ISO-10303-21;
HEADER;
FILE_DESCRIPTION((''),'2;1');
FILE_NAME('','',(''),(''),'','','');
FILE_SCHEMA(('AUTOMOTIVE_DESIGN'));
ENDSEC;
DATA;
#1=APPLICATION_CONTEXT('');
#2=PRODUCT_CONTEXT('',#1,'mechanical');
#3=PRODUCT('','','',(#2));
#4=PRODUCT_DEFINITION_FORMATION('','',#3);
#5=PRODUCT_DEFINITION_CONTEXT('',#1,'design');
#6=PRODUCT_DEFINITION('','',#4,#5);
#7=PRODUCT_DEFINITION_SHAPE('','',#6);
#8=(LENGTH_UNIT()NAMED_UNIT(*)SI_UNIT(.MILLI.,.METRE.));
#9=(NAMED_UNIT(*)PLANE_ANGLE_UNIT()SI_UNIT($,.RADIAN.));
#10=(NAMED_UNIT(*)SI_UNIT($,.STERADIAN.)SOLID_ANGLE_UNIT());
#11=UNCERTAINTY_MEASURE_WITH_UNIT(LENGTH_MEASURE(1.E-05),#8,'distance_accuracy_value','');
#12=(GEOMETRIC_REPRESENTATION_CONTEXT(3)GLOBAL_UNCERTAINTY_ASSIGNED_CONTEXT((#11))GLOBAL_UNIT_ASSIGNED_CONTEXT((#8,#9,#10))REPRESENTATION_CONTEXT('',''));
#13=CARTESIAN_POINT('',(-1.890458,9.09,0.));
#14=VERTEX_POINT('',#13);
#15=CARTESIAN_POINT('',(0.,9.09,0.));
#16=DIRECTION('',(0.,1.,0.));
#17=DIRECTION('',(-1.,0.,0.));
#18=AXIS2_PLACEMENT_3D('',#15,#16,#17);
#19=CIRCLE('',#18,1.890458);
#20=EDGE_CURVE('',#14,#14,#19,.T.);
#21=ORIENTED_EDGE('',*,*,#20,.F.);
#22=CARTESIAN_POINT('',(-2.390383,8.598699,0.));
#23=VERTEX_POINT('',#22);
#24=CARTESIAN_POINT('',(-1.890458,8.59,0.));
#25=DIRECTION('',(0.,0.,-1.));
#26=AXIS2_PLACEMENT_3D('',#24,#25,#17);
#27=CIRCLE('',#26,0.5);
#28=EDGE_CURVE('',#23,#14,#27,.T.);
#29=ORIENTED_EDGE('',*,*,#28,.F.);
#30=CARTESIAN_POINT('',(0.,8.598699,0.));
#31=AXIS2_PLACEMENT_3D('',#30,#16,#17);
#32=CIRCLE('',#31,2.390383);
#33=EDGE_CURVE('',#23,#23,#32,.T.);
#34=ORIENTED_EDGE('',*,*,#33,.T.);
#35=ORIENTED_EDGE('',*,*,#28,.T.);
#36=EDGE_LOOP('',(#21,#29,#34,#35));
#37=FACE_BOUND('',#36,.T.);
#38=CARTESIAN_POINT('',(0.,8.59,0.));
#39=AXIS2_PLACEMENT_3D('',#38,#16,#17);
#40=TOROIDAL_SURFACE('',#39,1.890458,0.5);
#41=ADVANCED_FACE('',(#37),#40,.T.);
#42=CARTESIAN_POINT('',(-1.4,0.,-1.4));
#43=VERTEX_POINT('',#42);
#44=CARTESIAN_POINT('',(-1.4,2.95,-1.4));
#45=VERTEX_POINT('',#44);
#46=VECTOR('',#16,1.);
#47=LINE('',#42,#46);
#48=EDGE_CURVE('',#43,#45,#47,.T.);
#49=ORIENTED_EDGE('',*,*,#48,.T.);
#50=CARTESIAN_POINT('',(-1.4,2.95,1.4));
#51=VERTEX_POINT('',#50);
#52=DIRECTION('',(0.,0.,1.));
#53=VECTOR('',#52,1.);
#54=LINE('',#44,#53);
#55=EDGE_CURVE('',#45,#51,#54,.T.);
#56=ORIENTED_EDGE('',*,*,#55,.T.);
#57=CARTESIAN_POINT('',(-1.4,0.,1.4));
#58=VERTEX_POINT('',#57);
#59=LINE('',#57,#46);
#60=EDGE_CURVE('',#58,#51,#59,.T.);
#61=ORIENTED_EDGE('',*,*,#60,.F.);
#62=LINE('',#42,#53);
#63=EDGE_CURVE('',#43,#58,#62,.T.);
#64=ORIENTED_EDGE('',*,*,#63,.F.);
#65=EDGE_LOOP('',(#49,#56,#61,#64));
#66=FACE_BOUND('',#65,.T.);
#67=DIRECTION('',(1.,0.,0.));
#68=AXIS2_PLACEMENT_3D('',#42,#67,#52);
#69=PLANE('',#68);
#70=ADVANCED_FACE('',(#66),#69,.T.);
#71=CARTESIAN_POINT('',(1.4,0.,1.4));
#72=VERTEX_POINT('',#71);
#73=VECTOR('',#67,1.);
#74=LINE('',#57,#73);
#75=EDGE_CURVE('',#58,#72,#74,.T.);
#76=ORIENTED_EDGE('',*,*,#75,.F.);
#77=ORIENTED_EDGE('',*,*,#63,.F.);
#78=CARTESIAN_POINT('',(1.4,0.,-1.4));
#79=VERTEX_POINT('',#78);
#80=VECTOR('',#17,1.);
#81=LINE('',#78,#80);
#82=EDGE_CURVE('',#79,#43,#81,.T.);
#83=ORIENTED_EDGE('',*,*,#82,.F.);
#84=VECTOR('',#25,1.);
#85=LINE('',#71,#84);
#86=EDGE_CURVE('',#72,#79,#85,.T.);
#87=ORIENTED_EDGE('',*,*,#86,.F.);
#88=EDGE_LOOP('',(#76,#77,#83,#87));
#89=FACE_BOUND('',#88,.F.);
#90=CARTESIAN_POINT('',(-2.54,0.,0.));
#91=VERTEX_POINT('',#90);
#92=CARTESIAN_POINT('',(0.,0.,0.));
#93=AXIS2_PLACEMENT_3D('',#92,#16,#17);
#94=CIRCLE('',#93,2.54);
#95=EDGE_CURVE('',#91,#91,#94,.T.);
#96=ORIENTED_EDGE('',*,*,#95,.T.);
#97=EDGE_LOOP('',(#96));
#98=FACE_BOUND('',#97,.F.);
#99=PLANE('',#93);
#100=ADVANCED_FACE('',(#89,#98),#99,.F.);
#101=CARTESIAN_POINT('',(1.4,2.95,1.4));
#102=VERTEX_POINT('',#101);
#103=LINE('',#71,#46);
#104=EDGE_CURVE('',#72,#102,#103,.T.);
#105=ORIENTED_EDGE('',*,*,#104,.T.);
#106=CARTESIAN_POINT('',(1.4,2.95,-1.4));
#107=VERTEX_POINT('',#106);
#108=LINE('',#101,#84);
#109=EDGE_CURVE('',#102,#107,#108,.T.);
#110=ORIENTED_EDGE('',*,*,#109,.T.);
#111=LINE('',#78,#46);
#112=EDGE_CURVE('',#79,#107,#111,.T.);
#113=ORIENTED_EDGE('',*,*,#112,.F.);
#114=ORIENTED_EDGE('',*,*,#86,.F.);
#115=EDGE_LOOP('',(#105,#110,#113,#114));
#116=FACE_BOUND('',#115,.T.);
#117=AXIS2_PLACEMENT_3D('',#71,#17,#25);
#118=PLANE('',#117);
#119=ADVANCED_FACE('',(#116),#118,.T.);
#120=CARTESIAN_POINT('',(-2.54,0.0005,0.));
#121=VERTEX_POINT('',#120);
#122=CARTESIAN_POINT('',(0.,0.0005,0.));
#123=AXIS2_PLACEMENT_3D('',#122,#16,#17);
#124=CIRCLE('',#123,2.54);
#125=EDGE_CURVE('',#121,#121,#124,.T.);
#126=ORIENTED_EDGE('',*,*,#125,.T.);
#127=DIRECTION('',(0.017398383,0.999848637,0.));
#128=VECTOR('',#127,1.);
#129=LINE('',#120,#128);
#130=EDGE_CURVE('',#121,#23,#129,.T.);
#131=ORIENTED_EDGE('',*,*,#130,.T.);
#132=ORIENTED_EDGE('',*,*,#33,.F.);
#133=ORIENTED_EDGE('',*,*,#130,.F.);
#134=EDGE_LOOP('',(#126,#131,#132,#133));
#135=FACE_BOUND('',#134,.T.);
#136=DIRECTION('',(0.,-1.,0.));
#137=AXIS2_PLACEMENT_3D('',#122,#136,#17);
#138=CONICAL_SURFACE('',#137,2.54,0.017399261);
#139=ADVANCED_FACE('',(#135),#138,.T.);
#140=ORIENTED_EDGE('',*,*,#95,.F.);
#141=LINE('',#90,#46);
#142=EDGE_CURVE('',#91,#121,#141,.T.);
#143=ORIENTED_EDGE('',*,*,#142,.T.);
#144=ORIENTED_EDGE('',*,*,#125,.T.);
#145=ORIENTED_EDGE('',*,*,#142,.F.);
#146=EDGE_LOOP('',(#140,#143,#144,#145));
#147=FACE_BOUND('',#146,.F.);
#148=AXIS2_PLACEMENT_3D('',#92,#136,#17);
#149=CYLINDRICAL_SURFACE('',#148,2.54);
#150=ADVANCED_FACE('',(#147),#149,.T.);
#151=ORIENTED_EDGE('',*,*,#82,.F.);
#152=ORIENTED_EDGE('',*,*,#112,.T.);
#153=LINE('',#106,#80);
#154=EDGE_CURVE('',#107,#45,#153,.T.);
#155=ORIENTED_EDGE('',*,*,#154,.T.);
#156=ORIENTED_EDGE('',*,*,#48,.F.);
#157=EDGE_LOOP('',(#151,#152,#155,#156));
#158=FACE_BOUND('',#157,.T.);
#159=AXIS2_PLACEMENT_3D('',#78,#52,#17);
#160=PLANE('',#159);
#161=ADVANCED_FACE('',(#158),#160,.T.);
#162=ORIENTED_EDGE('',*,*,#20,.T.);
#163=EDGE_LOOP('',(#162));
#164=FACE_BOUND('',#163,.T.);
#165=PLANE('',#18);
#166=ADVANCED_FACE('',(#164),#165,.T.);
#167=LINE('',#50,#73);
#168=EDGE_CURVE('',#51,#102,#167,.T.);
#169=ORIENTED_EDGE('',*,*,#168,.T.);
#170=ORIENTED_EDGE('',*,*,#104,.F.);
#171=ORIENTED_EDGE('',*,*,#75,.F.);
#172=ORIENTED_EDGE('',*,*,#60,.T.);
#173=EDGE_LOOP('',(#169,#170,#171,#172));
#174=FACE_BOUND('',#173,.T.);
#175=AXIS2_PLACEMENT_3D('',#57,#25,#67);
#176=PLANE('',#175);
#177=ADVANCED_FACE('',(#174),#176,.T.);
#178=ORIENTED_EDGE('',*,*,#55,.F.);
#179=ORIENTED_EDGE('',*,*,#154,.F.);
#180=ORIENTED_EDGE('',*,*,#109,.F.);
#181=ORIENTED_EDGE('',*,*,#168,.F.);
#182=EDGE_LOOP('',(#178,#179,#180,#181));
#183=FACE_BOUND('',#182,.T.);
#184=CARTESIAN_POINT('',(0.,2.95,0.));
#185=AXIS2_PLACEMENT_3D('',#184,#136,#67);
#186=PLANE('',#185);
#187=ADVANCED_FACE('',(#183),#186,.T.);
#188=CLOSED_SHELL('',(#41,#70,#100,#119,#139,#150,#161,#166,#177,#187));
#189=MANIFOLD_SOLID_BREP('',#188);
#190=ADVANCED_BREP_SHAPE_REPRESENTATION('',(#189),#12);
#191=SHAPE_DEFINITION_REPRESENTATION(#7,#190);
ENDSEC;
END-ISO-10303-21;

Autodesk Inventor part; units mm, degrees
ref_plane "YZ Plane" through (0, 0, 0) normal (1, 0, 0) x (0, 1, 0)
ref_plane "XZ Plane" through (0, 0, 0) normal (0, 1, 0) x (-1, 0, 0)
ref_plane "XY Plane" through (0, 0, 0) normal (0, 0, 1) x (1, 0, 0)
sketch "Sketch1" plane through (0, 0, 0) normal (0, 1, 0) x (-1, 0, 0)
  circle A0 centre (0, 0) radius 2.54
  dimension "d0" = 5.08
extrude "Extrusion1" add sketch "Sketch1" along normal blind 9.09
chamfer "Chamfer1" distance 9.09 angle 1 1 edges at (2.54, 9.09, 0) measured on face at (-2.5071, 3.03, -0.4074)
fillet "Fillet1" radius 0.5 1 edges at (2.3818, 9.09, 0)
sketch "Sketch2" plane through (0, 0, 0) normal (0, -1, 0) x (1, 0, 0)
  line L0 (1.4, -1.4) -> (-1.4, -1.4)
  line L1 (-1.4, -1.4) -> (-1.4, 1.4)
  line L2 (-1.4, 1.4) -> (1.4, 1.4)
  line L3 (1.4, 1.4) -> (1.4, -1.4)
  point P0 (0, 0)
  dimension "d7" = 2.8
  dimension "d8" = 1.4
  dimension "d9" = 2.8
  dimension "d10" = 1.4
extrude "Extrusion2" cut sketch "Sketch2" against normal blind 2.95
properties part number "1RBLK_TactileCap"
